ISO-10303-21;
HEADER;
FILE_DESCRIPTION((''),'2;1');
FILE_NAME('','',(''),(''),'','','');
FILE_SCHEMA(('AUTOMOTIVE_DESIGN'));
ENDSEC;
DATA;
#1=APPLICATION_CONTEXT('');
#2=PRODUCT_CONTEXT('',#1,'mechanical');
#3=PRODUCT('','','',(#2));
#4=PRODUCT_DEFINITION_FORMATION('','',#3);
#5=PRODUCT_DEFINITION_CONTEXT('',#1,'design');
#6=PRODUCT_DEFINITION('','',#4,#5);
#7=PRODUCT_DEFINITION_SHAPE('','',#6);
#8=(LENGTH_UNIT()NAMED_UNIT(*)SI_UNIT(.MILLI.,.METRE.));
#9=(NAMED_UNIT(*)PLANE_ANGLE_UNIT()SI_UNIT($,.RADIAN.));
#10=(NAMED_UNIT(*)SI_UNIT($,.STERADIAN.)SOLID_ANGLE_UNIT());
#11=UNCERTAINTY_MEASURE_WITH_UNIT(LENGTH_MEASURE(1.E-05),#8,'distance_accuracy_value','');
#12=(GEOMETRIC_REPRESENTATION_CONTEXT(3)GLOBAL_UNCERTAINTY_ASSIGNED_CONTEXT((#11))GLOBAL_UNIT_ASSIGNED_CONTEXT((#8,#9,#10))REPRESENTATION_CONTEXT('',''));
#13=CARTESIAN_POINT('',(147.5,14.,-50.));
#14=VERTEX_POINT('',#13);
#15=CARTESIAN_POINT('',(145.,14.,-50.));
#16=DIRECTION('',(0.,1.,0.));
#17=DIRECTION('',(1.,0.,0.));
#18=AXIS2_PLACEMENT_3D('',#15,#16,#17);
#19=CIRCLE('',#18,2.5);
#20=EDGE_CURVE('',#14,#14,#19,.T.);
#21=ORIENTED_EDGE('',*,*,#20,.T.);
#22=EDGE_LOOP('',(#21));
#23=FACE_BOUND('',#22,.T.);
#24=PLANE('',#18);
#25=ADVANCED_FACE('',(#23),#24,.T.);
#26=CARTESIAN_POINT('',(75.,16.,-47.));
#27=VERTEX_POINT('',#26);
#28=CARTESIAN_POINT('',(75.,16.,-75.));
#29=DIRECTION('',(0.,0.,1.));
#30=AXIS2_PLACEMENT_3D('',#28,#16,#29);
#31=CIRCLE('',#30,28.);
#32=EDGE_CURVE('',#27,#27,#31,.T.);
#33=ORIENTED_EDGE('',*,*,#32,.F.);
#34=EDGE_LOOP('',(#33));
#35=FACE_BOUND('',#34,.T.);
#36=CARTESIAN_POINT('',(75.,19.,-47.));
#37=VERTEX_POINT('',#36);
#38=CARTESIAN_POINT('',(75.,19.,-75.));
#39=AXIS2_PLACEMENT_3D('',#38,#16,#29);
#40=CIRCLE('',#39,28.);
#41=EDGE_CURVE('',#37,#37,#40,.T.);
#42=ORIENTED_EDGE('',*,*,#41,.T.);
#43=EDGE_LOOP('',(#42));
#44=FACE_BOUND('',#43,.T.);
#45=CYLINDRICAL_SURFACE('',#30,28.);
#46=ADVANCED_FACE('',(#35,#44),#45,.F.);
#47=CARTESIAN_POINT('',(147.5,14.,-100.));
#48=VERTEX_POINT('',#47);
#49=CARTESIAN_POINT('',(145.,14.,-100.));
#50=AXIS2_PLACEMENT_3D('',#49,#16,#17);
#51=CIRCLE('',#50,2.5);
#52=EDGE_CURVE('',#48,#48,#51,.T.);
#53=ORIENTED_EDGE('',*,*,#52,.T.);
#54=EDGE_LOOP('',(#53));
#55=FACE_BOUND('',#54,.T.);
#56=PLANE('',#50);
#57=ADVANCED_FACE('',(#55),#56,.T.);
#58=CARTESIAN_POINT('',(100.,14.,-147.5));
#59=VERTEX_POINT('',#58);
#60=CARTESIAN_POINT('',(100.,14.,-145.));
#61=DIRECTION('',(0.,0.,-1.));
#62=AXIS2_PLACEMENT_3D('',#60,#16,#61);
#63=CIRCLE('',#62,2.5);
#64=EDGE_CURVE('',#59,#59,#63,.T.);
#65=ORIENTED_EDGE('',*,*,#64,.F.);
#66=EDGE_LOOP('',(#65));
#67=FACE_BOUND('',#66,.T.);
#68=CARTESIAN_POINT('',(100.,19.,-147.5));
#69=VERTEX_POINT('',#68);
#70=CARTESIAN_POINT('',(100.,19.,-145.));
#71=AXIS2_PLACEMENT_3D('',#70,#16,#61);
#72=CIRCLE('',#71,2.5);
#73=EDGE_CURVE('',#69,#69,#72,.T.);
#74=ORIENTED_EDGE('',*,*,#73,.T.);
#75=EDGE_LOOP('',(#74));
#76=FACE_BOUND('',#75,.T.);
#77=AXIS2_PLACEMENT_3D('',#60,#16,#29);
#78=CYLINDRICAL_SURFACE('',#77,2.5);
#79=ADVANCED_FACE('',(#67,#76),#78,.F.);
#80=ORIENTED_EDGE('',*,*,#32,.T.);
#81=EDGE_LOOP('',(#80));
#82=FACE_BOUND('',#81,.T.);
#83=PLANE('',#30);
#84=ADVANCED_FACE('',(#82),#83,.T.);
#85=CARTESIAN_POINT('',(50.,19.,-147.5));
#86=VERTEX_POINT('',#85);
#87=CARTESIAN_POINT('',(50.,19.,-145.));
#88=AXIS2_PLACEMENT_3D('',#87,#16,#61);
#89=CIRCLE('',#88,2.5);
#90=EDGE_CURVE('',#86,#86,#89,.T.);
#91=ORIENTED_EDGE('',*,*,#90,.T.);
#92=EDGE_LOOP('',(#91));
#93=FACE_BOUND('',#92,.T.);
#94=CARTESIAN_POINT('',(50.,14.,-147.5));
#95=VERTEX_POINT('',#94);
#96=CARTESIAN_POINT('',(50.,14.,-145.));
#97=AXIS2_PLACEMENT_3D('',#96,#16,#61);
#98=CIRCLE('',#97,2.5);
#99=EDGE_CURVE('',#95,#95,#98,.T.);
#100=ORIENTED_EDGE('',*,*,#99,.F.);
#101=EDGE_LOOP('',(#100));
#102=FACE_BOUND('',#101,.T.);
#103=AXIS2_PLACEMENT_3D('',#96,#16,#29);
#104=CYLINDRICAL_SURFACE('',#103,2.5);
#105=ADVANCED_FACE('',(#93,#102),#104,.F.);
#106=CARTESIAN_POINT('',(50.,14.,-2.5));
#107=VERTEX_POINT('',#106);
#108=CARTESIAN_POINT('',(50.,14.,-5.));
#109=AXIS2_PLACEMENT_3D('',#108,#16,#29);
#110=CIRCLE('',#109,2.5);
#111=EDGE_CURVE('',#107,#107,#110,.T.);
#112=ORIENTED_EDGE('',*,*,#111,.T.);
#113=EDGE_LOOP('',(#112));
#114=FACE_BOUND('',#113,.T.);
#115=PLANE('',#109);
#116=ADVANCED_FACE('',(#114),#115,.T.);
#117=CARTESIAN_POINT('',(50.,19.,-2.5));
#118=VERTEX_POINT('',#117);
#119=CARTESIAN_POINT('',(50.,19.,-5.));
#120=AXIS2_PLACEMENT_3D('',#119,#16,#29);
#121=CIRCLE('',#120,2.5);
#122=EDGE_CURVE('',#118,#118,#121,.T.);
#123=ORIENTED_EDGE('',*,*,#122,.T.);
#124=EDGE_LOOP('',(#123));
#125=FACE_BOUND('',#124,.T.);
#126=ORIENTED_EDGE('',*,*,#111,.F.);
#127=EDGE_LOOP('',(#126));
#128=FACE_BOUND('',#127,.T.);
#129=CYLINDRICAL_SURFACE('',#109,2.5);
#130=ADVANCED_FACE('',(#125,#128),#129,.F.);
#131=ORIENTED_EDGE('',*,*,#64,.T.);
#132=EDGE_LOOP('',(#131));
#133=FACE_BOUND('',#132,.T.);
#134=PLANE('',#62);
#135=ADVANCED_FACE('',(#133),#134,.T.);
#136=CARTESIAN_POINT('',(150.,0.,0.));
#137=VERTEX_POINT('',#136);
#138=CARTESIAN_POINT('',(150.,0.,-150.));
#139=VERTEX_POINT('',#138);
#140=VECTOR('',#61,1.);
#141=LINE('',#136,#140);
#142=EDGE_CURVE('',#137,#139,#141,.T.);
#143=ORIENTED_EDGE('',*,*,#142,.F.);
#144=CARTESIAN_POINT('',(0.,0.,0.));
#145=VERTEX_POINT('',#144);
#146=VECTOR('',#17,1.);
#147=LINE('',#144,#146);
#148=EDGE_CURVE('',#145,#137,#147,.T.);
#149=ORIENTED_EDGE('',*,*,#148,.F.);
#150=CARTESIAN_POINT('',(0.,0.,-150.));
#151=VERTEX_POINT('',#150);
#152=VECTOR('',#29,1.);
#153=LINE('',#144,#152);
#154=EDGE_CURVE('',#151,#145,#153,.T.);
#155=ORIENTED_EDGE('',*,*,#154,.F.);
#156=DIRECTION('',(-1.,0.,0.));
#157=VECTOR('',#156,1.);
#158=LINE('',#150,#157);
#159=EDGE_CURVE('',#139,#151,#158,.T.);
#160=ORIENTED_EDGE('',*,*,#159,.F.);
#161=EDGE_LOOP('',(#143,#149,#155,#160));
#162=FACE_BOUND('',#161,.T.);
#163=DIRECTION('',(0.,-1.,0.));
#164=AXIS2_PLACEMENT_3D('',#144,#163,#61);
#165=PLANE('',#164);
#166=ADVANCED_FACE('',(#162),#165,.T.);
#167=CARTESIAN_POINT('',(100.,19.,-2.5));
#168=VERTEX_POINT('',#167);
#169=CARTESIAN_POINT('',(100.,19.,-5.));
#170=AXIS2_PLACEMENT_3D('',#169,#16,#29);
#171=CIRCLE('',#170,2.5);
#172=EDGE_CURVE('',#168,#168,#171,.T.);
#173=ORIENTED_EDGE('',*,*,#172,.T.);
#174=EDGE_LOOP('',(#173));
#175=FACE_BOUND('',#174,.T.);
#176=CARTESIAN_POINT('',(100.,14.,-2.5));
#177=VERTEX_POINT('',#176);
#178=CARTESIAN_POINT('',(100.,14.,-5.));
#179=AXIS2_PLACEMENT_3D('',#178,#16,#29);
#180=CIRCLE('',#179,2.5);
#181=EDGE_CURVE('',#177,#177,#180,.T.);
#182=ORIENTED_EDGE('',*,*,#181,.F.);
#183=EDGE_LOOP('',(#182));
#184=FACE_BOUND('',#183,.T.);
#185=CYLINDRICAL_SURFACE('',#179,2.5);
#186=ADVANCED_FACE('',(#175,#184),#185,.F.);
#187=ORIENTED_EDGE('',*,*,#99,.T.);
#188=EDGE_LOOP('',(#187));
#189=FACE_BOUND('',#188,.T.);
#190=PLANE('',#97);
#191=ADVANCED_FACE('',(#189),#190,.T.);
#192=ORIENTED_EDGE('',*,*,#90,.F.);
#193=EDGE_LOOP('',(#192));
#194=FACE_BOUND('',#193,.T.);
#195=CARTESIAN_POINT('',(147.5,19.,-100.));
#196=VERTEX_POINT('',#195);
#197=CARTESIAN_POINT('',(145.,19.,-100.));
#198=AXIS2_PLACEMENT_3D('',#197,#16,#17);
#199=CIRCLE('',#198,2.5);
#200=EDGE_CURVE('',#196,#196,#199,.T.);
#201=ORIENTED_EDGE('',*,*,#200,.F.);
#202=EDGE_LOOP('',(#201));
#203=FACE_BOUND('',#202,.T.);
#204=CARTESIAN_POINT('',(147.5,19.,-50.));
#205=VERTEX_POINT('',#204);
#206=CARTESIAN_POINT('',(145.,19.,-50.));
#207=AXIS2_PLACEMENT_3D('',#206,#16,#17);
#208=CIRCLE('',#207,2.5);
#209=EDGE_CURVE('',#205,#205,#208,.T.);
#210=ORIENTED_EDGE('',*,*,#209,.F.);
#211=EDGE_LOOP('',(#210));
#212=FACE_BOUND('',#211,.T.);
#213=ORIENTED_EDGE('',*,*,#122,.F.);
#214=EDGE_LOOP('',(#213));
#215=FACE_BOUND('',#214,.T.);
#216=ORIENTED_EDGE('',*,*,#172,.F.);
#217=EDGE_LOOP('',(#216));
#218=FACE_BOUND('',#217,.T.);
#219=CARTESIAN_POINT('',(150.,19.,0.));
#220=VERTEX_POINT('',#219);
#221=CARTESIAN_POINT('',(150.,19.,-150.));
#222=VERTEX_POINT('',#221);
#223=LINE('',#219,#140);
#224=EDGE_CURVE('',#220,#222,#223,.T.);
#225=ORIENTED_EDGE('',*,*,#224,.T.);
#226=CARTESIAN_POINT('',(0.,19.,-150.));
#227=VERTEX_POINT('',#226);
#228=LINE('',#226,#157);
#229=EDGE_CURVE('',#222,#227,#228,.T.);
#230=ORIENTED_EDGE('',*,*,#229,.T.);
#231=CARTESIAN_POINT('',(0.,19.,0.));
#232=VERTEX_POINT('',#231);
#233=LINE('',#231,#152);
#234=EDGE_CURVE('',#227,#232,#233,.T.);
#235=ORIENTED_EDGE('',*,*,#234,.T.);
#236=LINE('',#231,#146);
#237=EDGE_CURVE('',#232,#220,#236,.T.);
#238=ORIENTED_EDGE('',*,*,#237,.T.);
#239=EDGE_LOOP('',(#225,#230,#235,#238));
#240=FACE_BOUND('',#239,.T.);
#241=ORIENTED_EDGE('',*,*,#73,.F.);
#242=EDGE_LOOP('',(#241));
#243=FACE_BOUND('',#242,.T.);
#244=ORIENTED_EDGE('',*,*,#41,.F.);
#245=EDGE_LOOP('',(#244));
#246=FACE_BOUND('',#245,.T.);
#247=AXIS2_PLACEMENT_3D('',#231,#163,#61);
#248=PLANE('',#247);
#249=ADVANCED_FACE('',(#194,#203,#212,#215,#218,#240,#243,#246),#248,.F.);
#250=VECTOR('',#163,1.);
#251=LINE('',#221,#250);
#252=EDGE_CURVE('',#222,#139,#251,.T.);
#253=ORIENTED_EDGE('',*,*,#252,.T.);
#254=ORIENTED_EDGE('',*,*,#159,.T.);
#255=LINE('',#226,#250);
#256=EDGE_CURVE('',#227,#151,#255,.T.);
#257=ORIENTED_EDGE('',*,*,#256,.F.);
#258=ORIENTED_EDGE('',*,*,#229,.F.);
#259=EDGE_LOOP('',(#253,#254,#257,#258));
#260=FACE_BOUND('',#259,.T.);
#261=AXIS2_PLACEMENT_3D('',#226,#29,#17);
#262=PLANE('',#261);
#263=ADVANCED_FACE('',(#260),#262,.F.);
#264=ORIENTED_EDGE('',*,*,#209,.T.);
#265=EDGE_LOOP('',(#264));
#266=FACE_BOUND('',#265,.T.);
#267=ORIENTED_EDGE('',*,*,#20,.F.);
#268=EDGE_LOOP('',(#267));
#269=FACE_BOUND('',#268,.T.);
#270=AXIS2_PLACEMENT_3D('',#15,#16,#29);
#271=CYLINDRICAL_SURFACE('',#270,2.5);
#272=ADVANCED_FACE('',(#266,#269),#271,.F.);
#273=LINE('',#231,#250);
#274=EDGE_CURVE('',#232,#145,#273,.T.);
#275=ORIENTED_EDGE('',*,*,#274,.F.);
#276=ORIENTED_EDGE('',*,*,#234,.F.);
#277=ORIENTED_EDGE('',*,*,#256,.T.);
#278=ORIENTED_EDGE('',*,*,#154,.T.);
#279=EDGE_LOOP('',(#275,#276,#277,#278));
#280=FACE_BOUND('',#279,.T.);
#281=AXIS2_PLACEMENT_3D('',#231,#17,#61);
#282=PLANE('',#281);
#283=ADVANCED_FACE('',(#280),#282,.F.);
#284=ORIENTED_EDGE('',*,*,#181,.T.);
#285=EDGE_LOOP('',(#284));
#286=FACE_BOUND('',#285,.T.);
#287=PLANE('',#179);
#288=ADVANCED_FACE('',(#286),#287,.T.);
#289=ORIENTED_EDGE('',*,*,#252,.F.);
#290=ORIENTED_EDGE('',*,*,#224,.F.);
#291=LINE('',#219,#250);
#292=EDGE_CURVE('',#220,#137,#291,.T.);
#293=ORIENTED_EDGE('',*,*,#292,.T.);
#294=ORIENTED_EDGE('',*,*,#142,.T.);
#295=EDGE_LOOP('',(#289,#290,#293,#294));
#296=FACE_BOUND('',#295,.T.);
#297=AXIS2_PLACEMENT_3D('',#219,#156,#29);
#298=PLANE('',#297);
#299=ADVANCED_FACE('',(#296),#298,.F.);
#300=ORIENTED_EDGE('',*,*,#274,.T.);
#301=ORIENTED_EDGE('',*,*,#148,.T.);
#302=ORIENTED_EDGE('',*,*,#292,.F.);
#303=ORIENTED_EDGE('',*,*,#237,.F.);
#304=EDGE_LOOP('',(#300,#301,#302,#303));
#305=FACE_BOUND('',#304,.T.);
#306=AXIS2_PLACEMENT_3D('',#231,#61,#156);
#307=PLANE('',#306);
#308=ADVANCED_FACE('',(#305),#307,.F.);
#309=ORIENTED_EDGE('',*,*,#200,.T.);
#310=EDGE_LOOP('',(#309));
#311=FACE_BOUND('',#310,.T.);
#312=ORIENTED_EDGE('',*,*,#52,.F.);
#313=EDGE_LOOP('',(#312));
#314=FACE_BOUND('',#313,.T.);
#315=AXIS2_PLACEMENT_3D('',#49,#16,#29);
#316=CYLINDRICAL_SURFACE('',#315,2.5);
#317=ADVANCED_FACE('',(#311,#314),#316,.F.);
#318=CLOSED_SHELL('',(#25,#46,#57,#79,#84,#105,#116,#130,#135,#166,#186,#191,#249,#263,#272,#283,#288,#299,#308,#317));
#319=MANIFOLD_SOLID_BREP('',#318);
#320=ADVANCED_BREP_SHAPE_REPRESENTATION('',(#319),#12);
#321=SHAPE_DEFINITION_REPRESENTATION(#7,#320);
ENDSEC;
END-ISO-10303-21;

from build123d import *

# Parameters (mm, degrees)
SKETCH1_W           = 150
SKETCH1_H           = 150
BOSS_EXTRUDE1_DEPTH = 19
SKETCH2_R           = 28
CUT_EXTRUDE1_DEPTH  = 3
SKETCH3_R           = 2.5
CUT_EXTRUDE2_DEPTH  = 5
CIRPATTERN1_COUNT   = 3
CIRPATTERN1_ANGLE   = 180


with BuildPart() as part:
    # Sketch1 → Boss-Extrude1 (new body)
    with BuildSketch(Plane(origin=(0, 0, 0), x_dir=(1, 0, 0), z_dir=(0, 1, 0))):
        with Locations((75, 75)):
            Rectangle(SKETCH1_W, SKETCH1_H)
    extrude(amount=BOSS_EXTRUDE1_DEPTH)

    # Sketch2 → Cut-Extrude1 (cut)
    with BuildSketch(Plane(origin=(0, 19, 0), x_dir=(1, 0, 0), z_dir=(0, 1, 0))):
        with Locations((75, 75)):
            Circle(SKETCH2_R)
    extrude(amount=-CUT_EXTRUDE1_DEPTH, mode=Mode.SUBTRACT)

    # Sketch3 → Cut-Extrude2 (cut)
    with BuildSketch(Plane(origin=(0, 19, 0), x_dir=(1, 0, 0), z_dir=(0, 1, 0))):
        with Locations((100, 5)):
            Circle(SKETCH3_R)
        with Locations((50, 5)):
            Circle(SKETCH3_R)
    cut_extrude2 = extrude(amount=-CUT_EXTRUDE2_DEPTH, mode=Mode.SUBTRACT)

    # CirPattern1: Cut-Extrude2 ×3 about axis
    cirpattern1_axis = Axis((75, 16, -75), (0, 1, 0))
    for i in range(1, CIRPATTERN1_COUNT):
        add(cut_extrude2.rotate(cirpattern1_axis, i * CIRPATTERN1_ANGLE / (CIRPATTERN1_COUNT - 1)), mode=Mode.SUBTRACT)


solid = part.part
